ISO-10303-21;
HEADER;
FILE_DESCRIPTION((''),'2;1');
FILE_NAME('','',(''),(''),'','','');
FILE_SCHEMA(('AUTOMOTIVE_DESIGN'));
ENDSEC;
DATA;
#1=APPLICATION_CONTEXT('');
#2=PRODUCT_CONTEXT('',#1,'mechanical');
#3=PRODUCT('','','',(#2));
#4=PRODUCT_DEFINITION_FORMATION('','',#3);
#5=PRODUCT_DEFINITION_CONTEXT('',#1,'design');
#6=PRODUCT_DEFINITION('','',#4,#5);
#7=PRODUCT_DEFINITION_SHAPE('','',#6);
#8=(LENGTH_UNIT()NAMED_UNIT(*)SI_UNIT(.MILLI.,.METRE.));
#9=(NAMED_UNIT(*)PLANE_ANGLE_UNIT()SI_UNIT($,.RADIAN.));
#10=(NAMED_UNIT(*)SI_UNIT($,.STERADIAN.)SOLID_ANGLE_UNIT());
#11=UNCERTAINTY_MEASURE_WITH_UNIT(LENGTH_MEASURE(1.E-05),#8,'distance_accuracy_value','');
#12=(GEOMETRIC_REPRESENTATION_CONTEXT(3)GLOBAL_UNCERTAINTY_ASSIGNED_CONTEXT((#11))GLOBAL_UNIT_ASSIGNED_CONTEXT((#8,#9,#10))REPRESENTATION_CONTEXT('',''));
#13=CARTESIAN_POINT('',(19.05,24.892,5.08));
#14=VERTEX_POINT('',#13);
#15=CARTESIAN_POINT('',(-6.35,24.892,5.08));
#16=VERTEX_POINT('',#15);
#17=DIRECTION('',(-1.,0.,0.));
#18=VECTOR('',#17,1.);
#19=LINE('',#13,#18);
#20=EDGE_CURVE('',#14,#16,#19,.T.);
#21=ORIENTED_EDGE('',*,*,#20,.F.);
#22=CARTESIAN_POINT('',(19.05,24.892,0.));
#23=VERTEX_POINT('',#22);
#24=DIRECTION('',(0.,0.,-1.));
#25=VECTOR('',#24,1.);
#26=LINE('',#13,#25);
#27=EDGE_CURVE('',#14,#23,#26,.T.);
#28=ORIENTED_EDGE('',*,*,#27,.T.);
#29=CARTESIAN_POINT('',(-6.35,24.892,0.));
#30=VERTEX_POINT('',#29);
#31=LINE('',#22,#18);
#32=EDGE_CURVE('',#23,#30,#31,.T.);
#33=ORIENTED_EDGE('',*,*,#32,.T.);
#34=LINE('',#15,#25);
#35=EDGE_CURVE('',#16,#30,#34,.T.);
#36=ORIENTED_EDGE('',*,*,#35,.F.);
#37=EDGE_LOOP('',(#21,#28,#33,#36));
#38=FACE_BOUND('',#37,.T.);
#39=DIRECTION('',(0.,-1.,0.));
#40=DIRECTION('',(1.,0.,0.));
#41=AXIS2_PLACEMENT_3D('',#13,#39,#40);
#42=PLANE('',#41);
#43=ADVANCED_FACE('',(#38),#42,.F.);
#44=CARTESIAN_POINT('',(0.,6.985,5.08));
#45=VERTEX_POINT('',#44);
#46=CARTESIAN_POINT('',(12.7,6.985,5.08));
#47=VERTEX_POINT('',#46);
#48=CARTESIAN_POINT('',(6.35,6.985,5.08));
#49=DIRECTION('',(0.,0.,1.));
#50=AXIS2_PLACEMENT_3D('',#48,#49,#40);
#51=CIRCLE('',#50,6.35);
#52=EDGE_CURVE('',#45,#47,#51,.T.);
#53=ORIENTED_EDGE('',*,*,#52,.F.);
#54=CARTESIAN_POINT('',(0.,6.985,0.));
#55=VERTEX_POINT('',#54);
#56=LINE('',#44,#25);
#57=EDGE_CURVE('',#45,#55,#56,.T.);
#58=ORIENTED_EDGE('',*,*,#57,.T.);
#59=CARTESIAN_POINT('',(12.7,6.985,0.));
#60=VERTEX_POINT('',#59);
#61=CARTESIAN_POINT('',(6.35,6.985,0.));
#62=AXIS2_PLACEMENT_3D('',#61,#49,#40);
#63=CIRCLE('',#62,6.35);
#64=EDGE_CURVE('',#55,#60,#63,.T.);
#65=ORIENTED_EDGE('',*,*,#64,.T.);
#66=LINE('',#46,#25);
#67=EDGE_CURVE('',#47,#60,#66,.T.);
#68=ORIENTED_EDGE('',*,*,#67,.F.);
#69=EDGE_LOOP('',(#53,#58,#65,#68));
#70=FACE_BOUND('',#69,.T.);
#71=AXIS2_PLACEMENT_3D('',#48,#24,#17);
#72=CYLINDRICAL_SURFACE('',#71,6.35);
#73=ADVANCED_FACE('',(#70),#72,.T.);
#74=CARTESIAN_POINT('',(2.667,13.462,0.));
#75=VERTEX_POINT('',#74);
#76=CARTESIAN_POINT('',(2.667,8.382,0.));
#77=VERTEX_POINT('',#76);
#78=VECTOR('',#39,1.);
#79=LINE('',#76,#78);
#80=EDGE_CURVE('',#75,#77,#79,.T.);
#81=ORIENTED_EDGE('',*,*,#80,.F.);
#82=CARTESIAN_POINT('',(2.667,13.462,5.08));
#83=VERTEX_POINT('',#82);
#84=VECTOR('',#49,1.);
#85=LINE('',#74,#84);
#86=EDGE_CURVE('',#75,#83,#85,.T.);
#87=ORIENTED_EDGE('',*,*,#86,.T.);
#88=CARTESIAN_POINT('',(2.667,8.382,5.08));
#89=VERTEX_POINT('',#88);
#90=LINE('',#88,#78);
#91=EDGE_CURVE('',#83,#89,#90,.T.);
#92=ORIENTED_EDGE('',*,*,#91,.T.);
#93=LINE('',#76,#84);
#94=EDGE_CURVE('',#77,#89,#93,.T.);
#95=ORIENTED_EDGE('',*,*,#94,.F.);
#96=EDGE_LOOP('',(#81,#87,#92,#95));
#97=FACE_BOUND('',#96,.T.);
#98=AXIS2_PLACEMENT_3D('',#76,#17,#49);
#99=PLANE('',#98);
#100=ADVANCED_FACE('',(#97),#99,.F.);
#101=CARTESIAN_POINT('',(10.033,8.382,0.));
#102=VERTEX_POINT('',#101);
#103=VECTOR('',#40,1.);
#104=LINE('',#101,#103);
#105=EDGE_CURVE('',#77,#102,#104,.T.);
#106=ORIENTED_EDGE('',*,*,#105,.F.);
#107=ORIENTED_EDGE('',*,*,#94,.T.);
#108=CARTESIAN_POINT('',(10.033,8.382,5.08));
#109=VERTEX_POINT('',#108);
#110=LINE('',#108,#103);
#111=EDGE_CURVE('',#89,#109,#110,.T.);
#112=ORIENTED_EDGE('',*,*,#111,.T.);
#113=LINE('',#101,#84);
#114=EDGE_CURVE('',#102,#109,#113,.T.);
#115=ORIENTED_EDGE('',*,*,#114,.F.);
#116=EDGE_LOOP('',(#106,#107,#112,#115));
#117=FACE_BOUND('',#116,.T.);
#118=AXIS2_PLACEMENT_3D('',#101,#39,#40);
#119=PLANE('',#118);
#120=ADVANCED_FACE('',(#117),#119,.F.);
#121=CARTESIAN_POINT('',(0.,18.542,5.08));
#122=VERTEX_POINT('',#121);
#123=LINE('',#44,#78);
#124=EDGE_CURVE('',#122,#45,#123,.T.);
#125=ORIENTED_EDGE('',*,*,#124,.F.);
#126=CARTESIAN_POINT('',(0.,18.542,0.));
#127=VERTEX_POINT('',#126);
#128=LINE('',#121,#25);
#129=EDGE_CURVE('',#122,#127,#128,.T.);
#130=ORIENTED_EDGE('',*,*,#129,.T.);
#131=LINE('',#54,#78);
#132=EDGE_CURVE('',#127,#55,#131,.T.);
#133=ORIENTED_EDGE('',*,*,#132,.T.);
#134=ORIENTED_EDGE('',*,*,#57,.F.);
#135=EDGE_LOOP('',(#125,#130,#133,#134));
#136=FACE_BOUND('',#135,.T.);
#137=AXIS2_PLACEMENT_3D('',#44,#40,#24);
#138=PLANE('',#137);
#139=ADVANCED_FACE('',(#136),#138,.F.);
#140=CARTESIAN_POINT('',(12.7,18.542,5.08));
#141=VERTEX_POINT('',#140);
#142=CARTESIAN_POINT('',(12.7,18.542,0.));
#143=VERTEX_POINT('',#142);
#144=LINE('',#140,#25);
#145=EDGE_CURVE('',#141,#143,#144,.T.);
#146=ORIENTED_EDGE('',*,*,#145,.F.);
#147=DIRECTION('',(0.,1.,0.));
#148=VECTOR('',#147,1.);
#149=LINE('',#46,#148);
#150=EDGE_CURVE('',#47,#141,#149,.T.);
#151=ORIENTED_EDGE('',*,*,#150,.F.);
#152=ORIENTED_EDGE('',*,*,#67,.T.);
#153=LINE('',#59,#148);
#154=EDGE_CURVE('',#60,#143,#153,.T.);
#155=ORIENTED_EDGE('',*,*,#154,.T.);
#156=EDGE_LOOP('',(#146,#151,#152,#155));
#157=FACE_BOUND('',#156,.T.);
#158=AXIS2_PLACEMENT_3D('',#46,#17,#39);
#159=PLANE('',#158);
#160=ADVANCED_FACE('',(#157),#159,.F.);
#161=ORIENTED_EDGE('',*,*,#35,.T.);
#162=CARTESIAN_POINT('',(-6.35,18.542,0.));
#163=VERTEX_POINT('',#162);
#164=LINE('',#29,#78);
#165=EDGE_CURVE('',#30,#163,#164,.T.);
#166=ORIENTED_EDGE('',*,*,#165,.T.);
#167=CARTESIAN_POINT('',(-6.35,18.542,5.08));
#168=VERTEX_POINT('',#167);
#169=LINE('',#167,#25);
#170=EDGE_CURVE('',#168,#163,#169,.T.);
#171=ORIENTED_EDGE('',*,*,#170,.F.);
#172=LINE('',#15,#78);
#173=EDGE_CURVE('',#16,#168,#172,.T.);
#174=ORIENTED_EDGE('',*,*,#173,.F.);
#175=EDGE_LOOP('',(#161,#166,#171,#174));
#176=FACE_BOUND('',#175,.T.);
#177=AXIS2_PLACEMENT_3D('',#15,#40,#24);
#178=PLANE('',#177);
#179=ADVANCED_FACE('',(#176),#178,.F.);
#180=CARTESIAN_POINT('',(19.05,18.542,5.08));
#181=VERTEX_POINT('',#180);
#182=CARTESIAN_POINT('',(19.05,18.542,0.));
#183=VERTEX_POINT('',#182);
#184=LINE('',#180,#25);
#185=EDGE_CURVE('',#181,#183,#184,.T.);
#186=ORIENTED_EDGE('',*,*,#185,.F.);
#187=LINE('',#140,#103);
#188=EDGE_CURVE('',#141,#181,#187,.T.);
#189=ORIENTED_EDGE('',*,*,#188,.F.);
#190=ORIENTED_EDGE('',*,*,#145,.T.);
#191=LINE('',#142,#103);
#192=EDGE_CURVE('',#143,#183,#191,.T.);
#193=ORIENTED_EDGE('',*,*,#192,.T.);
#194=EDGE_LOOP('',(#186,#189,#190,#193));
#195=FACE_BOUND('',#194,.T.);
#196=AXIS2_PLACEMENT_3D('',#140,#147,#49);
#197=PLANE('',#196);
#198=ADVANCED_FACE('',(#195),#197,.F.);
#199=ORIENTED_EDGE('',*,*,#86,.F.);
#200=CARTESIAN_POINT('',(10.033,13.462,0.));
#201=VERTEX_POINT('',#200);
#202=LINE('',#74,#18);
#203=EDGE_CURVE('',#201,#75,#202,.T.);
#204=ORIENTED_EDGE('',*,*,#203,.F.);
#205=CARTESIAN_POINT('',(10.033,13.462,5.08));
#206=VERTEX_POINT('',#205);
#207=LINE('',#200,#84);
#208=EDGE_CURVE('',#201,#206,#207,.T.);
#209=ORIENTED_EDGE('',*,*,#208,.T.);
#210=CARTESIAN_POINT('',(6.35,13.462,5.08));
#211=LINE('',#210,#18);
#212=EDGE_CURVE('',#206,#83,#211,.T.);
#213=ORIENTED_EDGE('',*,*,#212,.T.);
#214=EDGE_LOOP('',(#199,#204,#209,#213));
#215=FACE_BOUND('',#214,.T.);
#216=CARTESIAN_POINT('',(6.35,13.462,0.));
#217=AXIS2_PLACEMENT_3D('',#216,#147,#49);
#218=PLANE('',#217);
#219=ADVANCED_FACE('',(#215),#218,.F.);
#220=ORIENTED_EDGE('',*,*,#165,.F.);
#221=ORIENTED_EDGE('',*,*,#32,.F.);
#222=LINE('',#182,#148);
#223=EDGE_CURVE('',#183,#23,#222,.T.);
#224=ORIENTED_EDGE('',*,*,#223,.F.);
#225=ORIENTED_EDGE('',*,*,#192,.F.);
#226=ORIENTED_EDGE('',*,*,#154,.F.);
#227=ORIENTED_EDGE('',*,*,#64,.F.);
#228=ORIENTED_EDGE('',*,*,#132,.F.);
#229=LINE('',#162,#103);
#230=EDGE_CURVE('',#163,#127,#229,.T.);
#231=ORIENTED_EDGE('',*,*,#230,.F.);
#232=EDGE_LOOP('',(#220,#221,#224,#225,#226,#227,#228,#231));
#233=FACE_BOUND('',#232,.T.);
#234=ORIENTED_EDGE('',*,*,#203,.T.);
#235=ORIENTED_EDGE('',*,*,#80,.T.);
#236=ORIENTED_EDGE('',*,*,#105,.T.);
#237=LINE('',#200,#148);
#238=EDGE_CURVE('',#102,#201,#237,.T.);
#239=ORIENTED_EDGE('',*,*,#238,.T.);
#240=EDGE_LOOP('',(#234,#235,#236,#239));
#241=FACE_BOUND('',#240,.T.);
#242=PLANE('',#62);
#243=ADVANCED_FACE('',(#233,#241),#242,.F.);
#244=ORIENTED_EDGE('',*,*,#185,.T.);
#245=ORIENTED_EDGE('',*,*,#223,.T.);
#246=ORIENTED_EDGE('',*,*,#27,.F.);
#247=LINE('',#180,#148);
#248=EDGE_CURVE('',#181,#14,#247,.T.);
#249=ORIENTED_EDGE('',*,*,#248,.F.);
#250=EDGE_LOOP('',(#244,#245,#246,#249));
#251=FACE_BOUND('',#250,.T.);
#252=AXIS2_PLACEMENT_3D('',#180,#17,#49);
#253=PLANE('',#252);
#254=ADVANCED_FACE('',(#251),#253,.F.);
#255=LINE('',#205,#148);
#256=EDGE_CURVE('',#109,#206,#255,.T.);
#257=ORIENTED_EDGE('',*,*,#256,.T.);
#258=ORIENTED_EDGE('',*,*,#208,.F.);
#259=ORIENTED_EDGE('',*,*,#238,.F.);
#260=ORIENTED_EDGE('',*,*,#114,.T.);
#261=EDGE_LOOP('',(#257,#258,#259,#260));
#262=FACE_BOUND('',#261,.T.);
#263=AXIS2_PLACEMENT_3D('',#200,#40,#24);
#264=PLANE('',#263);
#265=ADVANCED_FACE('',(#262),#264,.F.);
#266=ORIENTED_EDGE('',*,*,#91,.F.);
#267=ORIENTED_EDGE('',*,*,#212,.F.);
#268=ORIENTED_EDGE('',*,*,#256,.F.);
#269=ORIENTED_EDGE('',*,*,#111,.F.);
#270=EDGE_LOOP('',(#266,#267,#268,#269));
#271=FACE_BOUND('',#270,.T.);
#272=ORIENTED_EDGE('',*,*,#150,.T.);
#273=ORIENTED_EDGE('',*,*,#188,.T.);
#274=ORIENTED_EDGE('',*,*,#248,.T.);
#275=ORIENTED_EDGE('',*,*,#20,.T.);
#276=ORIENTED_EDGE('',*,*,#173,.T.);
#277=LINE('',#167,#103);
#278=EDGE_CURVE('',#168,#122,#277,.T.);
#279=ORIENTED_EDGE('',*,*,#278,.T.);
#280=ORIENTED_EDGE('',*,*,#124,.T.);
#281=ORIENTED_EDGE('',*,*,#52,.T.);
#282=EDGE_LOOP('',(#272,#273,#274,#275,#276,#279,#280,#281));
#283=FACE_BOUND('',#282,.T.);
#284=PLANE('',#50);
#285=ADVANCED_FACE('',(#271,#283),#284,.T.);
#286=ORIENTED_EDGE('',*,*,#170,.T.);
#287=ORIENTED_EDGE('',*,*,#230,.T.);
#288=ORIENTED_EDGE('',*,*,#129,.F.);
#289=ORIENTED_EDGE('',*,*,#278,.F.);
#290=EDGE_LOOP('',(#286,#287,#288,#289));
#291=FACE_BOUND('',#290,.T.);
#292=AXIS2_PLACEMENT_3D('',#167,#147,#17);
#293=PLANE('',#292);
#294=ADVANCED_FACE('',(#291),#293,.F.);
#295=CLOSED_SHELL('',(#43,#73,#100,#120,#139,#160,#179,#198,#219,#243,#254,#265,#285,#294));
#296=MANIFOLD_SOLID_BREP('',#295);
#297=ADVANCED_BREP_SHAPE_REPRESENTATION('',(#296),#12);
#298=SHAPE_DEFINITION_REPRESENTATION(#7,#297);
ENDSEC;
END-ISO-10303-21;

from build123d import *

# Parameters (mm, degrees)
BOSS_EXTRUDE1_DEPTH = 5.08
CUT_EXTRUDE1_DEPTH  = 32.75406374


with BuildPart() as part:
    # Sketch1 → Boss-Extrude1 (new body)
    with BuildSketch(Plane.XY):
        with BuildLine():
            Line((12.7, 18.542), (19.05, 18.542))
            Line((19.05, 18.542), (19.05, 24.892))
            Line((19.05, 24.892), (-6.35, 24.892))
            Line((-6.35, 24.892), (-6.35, 18.542))
            Line((-6.35, 18.542), (0, 18.542))
            Line((0, 18.542), (0, 6.985))
            ThreePointArc((0, 6.985), (6.35, 0.635), (12.7, 6.985))
            Line((12.7, 6.985), (12.7, 18.542))
        make_face()
    extrude(amount=BOSS_EXTRUDE1_DEPTH)

    # Sketch2 → Cut-Extrude1 (cut, through all)
    with BuildSketch(Plane.XY.offset(5.08)):
        Polygon((6.35, 13.462), (10.033, 13.462), (10.033, 8.382), (2.667, 8.382), (2.667, 13.462), align=None)
    extrude(amount=-CUT_EXTRUDE1_DEPTH, mode=Mode.SUBTRACT)


solid = part.part
